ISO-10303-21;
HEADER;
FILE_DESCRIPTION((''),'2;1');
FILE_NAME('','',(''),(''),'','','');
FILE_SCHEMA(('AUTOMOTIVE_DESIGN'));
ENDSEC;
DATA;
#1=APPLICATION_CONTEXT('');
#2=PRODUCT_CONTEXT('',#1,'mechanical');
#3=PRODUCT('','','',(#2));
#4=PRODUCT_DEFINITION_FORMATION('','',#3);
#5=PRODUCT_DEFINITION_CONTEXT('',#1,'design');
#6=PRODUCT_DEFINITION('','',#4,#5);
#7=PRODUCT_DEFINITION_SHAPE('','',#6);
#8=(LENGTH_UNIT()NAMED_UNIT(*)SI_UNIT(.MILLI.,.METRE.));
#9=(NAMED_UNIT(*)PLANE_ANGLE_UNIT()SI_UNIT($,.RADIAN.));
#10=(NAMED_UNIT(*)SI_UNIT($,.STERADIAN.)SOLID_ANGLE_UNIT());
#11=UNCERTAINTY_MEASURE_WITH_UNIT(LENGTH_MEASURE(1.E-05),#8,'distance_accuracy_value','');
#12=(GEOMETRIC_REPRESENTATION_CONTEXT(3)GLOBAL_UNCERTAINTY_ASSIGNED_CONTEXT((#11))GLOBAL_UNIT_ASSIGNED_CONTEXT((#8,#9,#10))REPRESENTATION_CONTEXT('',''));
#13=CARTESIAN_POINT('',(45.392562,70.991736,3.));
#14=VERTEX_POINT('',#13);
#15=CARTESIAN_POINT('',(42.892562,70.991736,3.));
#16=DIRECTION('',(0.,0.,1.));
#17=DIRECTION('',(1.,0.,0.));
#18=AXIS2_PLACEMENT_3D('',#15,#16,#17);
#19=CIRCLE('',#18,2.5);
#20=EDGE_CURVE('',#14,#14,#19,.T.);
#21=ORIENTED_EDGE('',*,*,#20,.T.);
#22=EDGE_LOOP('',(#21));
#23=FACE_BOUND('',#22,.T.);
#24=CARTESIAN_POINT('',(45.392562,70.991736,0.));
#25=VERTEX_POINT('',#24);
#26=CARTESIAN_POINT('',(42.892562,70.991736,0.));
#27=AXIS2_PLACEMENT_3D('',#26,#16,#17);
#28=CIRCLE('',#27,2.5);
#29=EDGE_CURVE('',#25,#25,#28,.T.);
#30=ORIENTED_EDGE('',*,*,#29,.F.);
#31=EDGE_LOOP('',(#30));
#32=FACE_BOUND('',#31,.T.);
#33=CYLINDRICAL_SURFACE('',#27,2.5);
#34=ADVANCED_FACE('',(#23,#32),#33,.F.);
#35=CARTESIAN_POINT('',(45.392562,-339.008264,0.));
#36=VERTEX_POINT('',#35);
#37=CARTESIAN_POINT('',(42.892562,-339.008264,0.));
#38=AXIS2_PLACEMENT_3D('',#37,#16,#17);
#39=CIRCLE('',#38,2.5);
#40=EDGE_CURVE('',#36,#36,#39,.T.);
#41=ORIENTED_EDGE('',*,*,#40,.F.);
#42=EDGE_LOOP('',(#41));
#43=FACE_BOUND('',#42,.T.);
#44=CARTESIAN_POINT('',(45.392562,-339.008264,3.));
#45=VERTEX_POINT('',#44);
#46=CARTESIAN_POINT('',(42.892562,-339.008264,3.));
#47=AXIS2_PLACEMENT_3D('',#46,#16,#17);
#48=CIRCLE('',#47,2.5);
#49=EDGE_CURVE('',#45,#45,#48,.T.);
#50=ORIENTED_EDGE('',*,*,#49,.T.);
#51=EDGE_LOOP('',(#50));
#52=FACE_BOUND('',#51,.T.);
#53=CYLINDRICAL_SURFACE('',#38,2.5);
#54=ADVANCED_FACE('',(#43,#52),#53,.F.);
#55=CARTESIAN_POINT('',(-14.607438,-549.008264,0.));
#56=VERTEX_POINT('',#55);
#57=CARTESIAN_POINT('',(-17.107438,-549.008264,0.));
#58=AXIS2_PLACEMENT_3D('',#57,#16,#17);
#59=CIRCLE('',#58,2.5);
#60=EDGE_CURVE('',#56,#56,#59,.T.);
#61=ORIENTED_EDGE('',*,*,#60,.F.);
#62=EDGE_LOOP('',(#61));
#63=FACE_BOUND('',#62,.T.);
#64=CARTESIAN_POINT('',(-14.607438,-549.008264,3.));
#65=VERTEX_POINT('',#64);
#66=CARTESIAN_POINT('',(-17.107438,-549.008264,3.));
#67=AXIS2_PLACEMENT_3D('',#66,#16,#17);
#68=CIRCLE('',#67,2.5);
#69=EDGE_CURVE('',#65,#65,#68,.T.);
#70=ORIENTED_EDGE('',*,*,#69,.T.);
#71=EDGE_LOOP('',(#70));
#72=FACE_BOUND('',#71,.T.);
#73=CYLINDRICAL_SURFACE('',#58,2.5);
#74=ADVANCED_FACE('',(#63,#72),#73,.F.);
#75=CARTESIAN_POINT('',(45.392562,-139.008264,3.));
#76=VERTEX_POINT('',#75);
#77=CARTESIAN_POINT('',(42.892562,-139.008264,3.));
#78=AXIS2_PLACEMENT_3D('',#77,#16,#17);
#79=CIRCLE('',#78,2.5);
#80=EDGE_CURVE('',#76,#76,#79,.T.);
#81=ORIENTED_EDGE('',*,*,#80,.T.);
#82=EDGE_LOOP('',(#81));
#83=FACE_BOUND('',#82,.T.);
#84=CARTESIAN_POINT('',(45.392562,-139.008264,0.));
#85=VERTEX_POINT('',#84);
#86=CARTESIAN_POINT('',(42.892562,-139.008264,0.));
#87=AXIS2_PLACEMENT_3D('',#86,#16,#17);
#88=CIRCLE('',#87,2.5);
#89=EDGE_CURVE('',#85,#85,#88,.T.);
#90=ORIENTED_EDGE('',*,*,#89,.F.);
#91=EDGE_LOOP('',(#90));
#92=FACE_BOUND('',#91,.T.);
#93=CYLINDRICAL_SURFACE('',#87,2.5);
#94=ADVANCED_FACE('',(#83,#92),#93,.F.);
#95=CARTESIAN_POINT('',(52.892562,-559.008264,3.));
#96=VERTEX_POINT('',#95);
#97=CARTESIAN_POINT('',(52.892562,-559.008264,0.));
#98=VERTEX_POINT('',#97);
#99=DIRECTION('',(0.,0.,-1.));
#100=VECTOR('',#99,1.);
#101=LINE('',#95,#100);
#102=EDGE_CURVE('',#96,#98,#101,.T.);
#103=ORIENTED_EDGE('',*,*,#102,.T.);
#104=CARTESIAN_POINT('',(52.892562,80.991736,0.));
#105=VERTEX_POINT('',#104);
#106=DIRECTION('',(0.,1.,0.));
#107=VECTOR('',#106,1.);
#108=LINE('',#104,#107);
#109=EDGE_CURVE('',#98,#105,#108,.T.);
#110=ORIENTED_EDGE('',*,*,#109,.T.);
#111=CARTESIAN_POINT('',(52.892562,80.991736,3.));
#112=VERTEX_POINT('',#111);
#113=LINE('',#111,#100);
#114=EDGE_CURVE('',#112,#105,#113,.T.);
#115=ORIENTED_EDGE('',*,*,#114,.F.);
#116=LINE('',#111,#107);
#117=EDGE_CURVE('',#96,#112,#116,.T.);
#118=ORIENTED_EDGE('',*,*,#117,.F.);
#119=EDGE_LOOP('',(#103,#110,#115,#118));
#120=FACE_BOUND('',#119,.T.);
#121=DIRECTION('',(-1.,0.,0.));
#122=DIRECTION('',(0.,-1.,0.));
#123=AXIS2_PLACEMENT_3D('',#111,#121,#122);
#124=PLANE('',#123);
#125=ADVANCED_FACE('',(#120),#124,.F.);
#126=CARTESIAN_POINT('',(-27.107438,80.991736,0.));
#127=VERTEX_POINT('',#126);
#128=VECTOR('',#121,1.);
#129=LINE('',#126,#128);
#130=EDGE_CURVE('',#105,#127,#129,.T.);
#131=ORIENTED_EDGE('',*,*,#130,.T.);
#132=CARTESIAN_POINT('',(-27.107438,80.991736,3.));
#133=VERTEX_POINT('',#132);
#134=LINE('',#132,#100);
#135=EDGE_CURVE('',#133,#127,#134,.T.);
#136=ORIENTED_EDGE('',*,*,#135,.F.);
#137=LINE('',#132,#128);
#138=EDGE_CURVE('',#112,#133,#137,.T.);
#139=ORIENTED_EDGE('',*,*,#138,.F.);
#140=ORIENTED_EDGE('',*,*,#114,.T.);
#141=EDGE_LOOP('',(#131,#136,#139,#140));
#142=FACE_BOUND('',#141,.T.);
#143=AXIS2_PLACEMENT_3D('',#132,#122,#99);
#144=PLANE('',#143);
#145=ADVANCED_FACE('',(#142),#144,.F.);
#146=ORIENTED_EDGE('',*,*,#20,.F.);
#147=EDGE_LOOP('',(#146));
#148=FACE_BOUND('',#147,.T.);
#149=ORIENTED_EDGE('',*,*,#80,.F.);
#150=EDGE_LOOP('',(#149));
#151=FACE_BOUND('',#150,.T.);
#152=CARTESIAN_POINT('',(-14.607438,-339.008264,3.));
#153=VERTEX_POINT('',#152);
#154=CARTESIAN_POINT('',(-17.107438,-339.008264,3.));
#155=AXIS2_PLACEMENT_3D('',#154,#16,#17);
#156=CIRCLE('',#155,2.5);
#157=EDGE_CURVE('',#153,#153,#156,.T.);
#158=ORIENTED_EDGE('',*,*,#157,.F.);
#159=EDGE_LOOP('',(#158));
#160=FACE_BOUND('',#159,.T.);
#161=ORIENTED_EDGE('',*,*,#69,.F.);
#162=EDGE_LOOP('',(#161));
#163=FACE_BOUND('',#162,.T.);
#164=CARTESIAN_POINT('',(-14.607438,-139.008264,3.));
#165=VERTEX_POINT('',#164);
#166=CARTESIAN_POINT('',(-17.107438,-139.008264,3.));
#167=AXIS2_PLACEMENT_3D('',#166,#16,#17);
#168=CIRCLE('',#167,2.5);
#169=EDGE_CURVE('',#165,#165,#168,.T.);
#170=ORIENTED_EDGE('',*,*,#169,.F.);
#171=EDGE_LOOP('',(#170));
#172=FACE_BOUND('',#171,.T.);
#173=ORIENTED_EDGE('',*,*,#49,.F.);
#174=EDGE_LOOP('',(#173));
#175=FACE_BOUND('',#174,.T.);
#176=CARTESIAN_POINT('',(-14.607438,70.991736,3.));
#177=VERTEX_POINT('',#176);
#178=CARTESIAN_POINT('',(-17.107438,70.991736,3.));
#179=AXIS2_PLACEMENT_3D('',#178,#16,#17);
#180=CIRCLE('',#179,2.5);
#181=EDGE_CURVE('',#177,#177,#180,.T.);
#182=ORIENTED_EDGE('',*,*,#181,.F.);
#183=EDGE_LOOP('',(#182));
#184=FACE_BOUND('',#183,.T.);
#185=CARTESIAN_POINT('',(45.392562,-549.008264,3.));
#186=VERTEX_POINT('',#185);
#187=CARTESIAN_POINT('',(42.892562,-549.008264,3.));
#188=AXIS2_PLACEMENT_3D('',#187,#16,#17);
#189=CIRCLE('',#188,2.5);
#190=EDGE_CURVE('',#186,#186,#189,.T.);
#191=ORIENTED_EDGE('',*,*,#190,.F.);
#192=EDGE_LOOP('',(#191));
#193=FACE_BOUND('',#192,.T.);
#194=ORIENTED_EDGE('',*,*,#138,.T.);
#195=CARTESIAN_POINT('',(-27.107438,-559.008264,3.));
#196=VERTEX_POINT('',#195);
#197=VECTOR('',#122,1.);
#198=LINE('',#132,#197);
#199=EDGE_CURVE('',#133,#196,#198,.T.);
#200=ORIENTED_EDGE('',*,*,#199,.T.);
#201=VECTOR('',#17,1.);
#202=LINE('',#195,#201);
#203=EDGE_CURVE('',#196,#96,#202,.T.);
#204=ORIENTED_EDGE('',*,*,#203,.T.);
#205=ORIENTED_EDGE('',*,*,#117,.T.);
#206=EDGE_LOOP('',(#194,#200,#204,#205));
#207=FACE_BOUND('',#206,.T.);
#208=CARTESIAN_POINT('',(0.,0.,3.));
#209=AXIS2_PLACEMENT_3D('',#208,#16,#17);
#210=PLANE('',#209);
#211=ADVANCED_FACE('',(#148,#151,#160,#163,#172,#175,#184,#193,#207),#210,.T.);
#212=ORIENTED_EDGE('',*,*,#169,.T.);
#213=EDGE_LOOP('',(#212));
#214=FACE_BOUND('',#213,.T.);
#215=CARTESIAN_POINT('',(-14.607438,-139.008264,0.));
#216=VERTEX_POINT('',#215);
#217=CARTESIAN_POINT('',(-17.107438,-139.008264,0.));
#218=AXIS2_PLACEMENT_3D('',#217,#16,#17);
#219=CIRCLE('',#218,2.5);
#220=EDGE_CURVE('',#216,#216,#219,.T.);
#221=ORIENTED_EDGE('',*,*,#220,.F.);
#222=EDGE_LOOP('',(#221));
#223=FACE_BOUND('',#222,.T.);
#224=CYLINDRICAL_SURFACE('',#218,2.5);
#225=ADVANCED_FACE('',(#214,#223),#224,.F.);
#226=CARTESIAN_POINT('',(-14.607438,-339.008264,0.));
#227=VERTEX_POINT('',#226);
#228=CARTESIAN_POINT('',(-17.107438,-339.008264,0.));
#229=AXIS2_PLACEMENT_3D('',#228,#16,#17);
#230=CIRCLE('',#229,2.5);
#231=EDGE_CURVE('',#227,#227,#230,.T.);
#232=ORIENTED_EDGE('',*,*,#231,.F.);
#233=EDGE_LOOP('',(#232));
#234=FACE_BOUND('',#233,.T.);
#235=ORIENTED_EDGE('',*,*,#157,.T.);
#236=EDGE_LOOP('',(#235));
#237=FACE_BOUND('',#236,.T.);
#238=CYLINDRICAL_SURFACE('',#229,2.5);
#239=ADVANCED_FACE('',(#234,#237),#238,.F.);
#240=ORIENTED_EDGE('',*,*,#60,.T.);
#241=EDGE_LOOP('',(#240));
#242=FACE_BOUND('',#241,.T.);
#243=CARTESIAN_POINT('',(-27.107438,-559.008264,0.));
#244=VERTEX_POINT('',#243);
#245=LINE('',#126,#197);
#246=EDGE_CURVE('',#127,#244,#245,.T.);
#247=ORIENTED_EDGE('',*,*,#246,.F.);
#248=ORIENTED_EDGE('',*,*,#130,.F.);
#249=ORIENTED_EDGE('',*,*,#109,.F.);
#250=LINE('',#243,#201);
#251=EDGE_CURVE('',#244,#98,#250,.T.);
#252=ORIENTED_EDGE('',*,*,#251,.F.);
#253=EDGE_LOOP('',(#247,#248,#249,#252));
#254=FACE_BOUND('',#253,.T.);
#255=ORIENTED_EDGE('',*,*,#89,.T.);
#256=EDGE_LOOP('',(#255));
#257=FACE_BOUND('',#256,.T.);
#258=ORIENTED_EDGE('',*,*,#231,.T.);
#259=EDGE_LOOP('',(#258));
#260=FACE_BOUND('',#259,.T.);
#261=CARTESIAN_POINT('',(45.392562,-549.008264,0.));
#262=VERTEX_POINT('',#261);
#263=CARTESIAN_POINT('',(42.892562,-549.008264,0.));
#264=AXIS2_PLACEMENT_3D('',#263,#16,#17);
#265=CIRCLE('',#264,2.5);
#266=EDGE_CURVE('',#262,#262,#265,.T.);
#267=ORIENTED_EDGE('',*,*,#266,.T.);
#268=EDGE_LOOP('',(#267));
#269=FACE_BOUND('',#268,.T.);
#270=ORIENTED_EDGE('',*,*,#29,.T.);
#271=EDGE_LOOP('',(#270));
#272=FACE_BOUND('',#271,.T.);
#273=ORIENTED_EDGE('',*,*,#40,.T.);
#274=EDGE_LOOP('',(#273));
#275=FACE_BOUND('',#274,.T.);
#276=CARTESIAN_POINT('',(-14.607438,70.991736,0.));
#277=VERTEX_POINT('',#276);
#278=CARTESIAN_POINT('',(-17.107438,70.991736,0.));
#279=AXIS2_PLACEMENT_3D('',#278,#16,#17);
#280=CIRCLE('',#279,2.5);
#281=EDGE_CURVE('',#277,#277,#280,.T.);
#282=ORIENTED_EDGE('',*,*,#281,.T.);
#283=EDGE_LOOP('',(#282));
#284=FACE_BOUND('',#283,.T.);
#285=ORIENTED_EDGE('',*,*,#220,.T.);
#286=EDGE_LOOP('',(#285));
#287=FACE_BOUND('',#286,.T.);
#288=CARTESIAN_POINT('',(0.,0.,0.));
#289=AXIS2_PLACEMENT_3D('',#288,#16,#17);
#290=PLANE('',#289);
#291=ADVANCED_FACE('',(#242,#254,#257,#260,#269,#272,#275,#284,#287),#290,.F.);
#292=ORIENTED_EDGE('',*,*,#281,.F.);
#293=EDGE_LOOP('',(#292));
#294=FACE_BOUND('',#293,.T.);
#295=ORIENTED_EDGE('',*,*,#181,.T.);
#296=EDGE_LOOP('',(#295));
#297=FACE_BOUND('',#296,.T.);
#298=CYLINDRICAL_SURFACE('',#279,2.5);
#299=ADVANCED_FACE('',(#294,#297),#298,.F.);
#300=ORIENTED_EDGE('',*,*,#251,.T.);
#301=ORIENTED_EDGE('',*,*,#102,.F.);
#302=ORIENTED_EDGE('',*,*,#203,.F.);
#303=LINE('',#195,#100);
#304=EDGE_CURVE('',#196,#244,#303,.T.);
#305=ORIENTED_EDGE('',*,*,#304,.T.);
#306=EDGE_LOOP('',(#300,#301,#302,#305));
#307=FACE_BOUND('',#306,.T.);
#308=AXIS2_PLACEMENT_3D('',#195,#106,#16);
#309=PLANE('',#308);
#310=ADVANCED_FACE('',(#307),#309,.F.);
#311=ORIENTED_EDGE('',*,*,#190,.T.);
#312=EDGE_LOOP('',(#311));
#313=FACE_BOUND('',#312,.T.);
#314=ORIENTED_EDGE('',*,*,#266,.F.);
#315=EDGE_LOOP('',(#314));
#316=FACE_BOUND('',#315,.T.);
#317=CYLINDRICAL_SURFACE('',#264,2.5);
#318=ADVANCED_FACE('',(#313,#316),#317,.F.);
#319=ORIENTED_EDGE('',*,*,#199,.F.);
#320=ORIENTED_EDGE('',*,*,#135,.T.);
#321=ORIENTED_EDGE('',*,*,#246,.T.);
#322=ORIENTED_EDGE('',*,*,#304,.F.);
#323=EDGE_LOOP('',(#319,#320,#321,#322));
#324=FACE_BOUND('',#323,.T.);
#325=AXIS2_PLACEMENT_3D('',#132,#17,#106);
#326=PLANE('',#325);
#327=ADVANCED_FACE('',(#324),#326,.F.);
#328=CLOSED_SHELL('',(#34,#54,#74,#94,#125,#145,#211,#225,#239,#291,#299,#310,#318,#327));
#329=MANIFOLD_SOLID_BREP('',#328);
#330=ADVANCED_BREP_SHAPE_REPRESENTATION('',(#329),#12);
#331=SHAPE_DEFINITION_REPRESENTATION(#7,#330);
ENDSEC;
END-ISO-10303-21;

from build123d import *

# Parameters (mm, degrees)
SKETCH2_W           = 80
SKETCH2_H           = 640
BOSS_EXTRUDE1_DEPTH = 3
SKETCH3_R           = 2.5
CUT_EXTRUDE1_DEPTH  = 562.513012183


with BuildPart() as part:
    # Sketch2 → Boss-Extrude1 (new body)
    with BuildSketch(Plane.XY):
        with Locations((12.892561983, -239.008264463)):
            Rectangle(SKETCH2_W, SKETCH2_H)
    extrude(amount=BOSS_EXTRUDE1_DEPTH)

    # Sketch3 → Cut-Extrude1 (cut, through all)
    with BuildSketch(Plane.XY.offset(3)):
        with Locations((42.892561983, -549.008264463)):
            Circle(SKETCH3_R)
        with Locations((-17.107438017, -549.008264463)):
            Circle(SKETCH3_R)
        with Locations((-17.107438017, -339.008264463)):
            Circle(SKETCH3_R)
        with Locations((-17.107438017, 70.991735537)):
            Circle(SKETCH3_R)
        with Locations((-17.107438017, -139.008264463)):
            Circle(SKETCH3_R)
        with Locations((42.892561983, 70.991735537)):
            Circle(SKETCH3_R)
        with Locations((42.892561983, -139.008264463)):
            Circle(SKETCH3_R)
        with Locations((42.892561983, -339.008264463)):
            Circle(SKETCH3_R)
    extrude(amount=-CUT_EXTRUDE1_DEPTH, mode=Mode.SUBTRACT)


solid = part.part
